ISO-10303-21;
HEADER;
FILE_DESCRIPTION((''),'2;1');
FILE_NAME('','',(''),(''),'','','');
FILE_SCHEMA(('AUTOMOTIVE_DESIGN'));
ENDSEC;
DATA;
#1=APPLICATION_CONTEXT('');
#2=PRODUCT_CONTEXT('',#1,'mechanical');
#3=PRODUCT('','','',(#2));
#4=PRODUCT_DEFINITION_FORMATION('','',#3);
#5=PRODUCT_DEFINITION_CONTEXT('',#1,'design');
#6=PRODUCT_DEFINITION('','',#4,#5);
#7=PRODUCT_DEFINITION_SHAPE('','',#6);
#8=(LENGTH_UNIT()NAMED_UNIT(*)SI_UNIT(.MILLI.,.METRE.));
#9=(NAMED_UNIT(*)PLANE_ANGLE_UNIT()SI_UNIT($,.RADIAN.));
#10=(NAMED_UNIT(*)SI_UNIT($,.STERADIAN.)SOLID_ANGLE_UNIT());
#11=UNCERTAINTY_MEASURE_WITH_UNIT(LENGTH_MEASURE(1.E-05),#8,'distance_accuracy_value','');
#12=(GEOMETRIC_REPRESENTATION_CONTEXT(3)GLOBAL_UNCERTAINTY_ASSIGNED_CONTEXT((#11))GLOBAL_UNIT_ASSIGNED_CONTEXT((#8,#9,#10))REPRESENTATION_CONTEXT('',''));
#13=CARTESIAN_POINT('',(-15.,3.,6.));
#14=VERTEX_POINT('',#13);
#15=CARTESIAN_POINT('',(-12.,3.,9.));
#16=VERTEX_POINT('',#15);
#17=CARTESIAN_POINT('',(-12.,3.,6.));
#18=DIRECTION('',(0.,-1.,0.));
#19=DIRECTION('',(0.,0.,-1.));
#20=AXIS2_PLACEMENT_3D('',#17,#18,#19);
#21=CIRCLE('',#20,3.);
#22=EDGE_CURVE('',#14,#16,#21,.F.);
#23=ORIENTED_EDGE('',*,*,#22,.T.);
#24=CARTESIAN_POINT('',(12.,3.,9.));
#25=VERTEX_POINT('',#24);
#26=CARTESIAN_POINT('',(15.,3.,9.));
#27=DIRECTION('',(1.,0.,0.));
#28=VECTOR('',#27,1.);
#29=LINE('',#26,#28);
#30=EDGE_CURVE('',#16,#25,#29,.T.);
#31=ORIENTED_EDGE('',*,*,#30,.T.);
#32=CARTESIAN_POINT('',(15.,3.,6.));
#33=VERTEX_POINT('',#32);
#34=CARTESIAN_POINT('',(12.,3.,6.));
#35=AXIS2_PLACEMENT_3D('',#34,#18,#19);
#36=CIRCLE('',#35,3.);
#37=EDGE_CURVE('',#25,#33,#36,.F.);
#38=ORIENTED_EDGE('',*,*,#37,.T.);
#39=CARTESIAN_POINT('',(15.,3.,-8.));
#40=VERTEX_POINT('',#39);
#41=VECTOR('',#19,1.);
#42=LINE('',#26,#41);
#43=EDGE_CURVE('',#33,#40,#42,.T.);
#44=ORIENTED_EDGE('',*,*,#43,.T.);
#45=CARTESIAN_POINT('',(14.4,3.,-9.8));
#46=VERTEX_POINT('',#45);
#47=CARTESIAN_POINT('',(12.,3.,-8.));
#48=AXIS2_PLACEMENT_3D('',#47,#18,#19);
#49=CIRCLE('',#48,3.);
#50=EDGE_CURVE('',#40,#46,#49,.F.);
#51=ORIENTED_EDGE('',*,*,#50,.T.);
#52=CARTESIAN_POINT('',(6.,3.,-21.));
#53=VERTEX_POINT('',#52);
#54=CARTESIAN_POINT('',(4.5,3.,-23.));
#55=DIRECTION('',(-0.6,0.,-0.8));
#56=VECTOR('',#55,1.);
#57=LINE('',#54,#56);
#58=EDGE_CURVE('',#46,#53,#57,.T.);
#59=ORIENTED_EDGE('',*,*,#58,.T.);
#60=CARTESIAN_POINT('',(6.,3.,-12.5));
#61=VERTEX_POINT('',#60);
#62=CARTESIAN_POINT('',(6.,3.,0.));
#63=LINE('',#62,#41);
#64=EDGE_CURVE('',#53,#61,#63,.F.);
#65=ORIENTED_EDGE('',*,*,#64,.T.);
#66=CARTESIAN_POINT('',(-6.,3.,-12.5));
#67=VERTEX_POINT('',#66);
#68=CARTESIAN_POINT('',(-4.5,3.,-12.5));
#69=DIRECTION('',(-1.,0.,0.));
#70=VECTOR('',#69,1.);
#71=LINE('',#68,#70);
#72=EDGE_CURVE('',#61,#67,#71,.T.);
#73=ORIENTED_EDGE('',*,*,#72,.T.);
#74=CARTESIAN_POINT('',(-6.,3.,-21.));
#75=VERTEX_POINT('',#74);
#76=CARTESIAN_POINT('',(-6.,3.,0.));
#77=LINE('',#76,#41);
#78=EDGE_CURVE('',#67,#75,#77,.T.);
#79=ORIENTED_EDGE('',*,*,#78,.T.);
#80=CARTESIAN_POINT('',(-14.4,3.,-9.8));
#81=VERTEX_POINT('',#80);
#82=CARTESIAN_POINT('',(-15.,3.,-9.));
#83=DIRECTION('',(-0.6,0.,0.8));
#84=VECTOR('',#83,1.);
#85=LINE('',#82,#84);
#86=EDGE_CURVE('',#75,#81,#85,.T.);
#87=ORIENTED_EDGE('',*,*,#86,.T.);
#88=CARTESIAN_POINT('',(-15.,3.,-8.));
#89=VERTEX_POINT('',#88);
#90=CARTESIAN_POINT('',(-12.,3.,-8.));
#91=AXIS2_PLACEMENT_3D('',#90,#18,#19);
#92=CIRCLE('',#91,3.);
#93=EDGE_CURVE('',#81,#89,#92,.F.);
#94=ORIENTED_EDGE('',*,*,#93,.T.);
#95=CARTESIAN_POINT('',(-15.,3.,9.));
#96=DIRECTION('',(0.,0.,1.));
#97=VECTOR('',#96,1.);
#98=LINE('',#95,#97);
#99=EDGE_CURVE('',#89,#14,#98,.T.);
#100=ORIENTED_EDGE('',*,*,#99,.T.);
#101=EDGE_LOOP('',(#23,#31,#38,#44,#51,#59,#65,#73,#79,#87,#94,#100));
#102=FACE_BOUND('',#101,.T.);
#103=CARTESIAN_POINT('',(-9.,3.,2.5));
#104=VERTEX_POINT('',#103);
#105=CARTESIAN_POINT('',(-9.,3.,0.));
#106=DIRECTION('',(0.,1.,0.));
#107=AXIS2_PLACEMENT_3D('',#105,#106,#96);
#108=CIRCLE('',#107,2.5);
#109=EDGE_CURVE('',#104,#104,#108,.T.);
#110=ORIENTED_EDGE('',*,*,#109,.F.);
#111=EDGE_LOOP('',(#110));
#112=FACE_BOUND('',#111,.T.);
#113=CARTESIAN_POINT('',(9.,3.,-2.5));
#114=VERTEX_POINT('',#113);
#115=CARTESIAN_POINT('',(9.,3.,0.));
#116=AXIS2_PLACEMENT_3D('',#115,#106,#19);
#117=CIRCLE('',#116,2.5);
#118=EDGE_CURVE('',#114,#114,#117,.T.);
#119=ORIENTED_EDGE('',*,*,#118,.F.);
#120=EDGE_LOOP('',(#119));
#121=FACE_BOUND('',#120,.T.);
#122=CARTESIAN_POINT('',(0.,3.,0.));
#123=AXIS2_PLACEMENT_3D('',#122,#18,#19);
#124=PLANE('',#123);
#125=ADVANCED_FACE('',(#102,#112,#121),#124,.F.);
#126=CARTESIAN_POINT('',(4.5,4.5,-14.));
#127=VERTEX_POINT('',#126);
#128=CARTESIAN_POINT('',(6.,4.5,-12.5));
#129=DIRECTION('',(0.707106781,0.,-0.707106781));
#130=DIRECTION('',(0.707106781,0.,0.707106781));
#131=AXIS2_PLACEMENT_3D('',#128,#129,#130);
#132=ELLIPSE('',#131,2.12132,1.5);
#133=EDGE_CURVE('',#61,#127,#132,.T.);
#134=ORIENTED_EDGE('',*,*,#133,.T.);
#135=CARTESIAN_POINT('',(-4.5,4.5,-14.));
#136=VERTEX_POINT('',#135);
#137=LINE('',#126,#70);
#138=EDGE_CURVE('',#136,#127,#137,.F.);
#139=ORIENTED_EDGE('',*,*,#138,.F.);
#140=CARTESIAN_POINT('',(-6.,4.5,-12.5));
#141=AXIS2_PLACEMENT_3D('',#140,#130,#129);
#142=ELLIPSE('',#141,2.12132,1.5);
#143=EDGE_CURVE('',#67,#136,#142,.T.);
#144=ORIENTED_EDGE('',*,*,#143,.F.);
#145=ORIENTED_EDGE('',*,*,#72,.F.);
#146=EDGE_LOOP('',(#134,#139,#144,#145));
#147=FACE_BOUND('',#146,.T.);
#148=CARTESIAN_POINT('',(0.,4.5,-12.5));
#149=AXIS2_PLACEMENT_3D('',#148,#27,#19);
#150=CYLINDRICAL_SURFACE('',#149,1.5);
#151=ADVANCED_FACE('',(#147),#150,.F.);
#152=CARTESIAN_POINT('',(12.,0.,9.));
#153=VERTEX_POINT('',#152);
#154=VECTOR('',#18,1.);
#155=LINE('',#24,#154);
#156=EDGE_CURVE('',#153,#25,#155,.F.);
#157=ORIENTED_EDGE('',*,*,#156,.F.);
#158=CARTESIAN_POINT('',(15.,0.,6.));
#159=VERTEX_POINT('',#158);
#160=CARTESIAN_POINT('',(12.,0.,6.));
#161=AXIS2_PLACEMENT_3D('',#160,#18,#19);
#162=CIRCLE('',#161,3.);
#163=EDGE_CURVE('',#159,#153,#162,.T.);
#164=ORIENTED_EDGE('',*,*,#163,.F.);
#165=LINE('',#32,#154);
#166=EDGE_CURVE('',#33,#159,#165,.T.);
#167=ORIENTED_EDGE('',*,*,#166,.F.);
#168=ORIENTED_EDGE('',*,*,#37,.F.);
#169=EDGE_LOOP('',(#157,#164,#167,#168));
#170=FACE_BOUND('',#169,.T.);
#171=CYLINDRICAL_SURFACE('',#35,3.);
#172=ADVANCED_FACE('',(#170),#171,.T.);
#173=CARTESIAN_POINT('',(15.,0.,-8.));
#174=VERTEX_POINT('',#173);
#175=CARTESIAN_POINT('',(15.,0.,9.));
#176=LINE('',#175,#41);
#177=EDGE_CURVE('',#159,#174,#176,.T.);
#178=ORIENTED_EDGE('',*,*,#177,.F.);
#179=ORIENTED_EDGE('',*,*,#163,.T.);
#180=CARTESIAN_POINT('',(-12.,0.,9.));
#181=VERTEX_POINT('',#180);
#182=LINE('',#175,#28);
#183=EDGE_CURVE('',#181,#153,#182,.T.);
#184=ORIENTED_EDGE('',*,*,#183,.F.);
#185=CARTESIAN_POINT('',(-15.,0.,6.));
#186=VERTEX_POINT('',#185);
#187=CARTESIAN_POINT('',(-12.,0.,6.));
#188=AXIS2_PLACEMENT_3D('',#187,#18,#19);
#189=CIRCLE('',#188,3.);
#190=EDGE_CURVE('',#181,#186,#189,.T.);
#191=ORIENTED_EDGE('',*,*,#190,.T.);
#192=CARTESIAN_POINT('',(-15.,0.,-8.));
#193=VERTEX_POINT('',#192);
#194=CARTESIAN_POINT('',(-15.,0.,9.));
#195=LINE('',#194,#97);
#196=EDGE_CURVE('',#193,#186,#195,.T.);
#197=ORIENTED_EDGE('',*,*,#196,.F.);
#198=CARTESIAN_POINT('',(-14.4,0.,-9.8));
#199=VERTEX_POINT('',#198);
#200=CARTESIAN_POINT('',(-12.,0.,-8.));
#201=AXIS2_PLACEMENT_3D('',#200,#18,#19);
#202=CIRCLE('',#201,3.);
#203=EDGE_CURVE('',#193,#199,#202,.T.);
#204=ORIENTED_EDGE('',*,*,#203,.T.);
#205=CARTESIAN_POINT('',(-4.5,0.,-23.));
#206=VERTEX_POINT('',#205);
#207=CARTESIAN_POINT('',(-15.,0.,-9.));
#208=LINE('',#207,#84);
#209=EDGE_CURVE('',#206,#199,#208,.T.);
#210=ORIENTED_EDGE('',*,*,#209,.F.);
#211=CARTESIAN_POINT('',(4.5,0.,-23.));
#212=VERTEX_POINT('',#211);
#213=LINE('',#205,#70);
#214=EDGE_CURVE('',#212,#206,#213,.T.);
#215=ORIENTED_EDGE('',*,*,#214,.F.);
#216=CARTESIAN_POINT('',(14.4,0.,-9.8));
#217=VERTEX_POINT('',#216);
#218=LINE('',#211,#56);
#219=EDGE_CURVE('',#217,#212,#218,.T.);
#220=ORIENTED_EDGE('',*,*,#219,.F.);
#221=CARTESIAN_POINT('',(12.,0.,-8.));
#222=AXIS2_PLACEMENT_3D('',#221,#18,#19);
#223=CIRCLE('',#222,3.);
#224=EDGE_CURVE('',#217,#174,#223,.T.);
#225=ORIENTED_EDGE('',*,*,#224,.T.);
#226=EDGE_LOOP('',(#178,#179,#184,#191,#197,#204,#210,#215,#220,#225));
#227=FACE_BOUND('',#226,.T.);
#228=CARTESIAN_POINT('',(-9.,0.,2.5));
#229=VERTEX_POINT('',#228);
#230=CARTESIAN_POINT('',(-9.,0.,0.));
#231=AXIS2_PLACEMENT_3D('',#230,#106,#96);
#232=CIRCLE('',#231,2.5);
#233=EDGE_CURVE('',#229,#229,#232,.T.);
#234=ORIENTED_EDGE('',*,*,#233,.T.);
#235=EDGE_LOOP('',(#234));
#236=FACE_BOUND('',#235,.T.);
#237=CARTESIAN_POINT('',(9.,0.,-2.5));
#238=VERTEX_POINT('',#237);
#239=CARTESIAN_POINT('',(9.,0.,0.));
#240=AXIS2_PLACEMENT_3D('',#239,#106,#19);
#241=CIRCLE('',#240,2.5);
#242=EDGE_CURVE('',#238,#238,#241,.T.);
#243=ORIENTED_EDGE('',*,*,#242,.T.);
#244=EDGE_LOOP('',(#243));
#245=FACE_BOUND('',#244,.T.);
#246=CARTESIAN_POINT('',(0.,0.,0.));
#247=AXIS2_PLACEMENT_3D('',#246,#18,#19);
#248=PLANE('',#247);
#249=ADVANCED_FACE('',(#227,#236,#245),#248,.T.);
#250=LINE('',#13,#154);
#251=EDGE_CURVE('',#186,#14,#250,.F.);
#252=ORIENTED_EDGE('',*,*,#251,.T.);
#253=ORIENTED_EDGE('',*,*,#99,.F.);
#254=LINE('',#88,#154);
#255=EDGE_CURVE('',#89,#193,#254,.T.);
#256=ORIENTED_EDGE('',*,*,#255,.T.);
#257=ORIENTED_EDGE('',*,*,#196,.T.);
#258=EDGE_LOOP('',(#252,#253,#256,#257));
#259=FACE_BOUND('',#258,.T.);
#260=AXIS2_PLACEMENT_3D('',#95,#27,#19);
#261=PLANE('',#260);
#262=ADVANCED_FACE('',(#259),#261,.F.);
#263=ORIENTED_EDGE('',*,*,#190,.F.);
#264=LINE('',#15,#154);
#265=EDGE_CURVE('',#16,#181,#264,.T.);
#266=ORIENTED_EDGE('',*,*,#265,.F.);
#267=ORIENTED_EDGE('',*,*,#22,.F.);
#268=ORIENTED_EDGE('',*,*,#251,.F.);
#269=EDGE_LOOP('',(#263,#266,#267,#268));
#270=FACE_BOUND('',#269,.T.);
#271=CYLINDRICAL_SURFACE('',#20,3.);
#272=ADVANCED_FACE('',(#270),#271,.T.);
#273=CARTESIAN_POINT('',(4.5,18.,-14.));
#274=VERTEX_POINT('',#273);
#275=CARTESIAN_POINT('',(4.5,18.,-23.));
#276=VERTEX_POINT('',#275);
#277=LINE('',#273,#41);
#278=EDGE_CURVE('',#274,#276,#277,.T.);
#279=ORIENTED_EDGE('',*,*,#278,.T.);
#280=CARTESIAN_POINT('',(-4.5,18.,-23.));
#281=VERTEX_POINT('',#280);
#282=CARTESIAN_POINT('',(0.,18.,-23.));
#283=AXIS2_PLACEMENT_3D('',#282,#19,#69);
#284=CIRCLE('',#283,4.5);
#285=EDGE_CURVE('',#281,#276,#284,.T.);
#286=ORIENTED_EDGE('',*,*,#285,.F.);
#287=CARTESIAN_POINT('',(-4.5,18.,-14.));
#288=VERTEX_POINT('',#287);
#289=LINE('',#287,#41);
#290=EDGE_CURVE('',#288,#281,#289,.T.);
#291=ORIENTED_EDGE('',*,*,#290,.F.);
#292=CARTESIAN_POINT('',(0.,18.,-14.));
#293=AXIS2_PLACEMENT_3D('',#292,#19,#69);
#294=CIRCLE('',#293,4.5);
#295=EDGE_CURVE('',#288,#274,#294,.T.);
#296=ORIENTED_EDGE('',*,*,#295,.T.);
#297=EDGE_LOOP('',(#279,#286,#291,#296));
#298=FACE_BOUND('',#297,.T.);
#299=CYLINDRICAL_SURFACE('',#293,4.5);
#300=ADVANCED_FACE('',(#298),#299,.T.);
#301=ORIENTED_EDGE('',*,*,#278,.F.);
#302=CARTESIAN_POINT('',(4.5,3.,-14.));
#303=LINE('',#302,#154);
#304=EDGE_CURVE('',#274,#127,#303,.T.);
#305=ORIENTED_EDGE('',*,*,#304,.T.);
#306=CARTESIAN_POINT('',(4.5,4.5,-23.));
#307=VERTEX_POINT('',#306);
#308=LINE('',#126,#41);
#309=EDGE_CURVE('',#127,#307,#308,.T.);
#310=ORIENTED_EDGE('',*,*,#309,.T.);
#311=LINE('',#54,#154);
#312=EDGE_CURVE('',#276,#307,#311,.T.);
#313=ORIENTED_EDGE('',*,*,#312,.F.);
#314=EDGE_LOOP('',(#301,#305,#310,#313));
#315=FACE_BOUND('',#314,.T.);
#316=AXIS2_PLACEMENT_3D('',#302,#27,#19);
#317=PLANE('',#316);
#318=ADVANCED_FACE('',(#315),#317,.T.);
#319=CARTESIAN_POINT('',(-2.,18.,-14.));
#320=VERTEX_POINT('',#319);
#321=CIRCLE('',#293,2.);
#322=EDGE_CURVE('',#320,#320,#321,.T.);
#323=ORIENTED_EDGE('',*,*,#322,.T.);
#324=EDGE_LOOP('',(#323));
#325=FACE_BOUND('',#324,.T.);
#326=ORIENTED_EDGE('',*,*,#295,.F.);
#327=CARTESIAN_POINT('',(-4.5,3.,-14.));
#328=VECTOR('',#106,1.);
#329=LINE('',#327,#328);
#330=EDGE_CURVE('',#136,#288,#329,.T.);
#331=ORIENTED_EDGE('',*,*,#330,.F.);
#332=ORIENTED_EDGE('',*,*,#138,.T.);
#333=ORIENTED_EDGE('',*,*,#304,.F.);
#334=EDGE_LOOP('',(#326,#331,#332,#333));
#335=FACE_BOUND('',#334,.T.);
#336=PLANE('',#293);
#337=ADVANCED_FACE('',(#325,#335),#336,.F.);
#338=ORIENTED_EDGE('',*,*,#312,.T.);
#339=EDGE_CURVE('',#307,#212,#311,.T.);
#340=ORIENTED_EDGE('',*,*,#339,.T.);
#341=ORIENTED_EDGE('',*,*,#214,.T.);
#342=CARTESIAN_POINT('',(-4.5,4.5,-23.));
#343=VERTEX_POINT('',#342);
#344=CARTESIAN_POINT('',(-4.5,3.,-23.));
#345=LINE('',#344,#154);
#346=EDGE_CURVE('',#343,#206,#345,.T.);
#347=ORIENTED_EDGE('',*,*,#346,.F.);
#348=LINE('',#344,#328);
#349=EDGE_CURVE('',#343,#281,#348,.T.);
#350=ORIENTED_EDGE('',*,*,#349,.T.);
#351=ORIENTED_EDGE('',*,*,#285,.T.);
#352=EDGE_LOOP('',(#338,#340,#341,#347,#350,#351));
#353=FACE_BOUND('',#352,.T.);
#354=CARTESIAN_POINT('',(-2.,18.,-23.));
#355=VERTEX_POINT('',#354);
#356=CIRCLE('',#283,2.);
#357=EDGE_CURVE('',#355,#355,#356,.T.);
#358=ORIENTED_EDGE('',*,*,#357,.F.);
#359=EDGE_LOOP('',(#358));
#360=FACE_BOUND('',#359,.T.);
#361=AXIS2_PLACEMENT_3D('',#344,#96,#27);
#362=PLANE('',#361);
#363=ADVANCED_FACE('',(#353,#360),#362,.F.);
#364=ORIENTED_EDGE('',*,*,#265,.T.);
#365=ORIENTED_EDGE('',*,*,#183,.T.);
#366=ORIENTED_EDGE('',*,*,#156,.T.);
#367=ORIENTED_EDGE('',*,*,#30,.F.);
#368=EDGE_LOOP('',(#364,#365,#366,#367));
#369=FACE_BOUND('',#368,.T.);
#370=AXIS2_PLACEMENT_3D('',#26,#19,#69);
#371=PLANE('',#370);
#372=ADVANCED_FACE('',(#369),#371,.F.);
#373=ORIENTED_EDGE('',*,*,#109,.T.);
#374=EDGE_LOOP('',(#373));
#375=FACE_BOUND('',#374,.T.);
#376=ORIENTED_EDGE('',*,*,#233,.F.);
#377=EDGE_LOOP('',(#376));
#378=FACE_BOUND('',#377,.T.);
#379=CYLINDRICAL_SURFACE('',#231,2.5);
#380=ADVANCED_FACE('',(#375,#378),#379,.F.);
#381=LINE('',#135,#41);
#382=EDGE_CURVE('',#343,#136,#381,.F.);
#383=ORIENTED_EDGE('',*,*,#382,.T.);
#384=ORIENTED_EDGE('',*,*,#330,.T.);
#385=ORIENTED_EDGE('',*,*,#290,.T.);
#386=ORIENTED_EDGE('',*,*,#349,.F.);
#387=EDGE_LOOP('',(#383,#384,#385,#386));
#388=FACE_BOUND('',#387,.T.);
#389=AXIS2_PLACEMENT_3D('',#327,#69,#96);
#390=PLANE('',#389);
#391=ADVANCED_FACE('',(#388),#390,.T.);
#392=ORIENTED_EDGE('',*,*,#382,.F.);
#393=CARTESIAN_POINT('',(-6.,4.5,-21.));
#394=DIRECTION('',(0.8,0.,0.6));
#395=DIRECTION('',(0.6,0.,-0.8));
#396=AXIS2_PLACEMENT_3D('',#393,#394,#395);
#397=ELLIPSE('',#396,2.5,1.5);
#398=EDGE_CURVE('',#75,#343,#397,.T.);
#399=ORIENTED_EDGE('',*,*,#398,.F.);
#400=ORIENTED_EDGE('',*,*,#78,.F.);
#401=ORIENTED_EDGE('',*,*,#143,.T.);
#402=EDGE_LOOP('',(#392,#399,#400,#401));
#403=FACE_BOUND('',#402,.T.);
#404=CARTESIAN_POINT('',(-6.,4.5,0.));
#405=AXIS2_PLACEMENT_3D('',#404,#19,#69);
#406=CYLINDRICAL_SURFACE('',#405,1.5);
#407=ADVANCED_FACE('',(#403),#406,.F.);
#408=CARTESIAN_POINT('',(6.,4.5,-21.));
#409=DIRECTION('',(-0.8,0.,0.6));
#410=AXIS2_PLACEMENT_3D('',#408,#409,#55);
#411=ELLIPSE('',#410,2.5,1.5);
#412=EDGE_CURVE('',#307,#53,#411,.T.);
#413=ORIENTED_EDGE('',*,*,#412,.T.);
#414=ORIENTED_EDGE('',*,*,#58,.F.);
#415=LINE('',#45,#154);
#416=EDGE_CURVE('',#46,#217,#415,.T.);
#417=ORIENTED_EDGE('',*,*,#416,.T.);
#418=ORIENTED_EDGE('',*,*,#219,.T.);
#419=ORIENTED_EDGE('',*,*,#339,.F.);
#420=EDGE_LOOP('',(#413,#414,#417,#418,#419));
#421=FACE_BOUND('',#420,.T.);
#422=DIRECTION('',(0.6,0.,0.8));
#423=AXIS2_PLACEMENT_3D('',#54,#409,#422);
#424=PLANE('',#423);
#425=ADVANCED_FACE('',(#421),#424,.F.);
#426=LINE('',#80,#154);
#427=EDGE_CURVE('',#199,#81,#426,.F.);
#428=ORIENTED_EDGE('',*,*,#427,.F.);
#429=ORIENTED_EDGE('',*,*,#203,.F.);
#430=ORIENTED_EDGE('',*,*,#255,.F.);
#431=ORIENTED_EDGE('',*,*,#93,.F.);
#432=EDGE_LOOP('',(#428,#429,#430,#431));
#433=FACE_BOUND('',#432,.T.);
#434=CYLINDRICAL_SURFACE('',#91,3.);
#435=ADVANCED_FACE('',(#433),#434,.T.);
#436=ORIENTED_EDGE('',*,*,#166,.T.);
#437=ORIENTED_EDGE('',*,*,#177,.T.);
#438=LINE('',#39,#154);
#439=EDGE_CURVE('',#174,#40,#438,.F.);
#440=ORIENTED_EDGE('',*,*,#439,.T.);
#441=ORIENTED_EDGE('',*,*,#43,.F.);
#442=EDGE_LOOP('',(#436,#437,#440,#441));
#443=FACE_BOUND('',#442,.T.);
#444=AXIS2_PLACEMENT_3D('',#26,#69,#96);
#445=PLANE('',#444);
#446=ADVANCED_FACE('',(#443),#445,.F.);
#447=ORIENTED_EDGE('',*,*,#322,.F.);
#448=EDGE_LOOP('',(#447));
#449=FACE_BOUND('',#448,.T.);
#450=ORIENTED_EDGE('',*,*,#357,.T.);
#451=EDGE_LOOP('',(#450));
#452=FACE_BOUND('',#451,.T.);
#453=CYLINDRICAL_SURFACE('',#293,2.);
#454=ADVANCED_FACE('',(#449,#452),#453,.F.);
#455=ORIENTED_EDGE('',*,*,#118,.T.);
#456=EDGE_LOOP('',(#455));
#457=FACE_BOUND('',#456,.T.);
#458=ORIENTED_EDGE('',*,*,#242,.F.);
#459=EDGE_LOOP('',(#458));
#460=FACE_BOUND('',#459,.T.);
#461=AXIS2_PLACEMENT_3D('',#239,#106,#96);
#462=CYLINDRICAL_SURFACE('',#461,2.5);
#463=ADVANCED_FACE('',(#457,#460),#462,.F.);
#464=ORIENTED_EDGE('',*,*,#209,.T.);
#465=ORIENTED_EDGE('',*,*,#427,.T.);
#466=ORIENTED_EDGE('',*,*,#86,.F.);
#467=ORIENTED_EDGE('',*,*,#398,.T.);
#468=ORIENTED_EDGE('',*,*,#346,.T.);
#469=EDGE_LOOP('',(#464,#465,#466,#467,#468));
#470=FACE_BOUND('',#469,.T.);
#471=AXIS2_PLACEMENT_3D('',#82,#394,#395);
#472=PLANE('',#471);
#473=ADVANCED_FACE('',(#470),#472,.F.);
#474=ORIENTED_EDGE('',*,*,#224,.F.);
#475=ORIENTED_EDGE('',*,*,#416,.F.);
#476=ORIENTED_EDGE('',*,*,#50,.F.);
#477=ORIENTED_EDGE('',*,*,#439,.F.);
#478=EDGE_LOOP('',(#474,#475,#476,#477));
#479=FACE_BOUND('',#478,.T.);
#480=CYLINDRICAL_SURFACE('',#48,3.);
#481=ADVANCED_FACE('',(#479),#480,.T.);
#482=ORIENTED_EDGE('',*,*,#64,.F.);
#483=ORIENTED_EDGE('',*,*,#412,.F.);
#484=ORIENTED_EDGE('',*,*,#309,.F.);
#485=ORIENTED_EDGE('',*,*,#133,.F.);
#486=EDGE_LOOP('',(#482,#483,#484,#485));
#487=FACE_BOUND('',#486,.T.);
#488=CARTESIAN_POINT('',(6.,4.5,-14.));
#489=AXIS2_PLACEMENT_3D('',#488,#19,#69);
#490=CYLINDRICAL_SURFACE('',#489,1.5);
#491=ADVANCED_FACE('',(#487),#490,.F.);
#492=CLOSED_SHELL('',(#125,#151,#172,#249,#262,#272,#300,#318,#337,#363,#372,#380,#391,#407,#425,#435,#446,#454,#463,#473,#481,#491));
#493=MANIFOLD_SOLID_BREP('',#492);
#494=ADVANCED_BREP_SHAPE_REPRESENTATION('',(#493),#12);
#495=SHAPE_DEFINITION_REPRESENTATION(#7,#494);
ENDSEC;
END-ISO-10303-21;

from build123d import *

# Parameters (mm, degrees)
BOSS_EXTRUDE1_DEPTH = 3
SKETCH2_R           = 2
BOSS_EXTRUDE2_DEPTH = 9
FILLET1_R           = 1.5
FILLET2_R           = 3
SKETCH3_R           = 2.5
CUT_EXTRUDE1_DEPTH  = 34.678628238


with BuildPart() as part:
    # Sketch1 → Boss-Extrude1 (new body)
    with BuildSketch(Plane(origin=(0, 0, 0), x_dir=(1, 0, 0), z_dir=(0, 1, 0))):
        Polygon((-15, 9), (-4.5, 23), (4.5, 23), (15, 9), (15, -9), (-15, -9), align=None)
    extrude(amount=BOSS_EXTRUDE1_DEPTH)

    # Sketch2 → Boss-Extrude2 (add)
    with BuildSketch(Plane(origin=(0, 0, -23), x_dir=(-1, 0, 0), z_dir=(0, 0, -1))):
        with BuildLine():
            Line((-4.5, 3), (-4.5, 18))
            ThreePointArc((-4.5, 18), (0, 22.5), (4.5, 18))
            Line((4.5, 18), (4.5, 3))
            Line((4.5, 3), (-4.5, 3))
        make_face()
        with Locations((0, 18)):
            Circle(SKETCH2_R, mode=Mode.SUBTRACT)
    extrude(amount=-BOSS_EXTRUDE2_DEPTH)

    # Fillet1
    fillet1_edges = [part.edges().sort_by_distance(p)[0] for p in [
        (0, 3, -14),
        (-4.5, 3, -18.5),
        (4.5, 3, -18.5),
    ]]
    fillet(fillet1_edges, radius=FILLET1_R)

    # Fillet2
    fillet2_edges = [part.edges().sort_by_distance(p)[0] for p in [
        (-15, 1.5, -9),
        (15, 1.5, -9),
        (15, 1.5, 9),
        (-15, 1.5, 9),
    ]]
    fillet(fillet2_edges, radius=FILLET2_R)

    # Sketch3 → Cut-Extrude1 (cut, through all)
    with BuildSketch(Plane(origin=(0, 3, 0), x_dir=(1, 0, 0), z_dir=(0, 1, 0))):
        with Locations(Location((-9, 0, 0), (0, 0, 270))):
            Circle(SKETCH3_R)
        with Locations(Location((9, 0, 0), (0, 0, 90))):
            Circle(SKETCH3_R)
    extrude(amount=-CUT_EXTRUDE1_DEPTH, mode=Mode.SUBTRACT)


solid = part.part
